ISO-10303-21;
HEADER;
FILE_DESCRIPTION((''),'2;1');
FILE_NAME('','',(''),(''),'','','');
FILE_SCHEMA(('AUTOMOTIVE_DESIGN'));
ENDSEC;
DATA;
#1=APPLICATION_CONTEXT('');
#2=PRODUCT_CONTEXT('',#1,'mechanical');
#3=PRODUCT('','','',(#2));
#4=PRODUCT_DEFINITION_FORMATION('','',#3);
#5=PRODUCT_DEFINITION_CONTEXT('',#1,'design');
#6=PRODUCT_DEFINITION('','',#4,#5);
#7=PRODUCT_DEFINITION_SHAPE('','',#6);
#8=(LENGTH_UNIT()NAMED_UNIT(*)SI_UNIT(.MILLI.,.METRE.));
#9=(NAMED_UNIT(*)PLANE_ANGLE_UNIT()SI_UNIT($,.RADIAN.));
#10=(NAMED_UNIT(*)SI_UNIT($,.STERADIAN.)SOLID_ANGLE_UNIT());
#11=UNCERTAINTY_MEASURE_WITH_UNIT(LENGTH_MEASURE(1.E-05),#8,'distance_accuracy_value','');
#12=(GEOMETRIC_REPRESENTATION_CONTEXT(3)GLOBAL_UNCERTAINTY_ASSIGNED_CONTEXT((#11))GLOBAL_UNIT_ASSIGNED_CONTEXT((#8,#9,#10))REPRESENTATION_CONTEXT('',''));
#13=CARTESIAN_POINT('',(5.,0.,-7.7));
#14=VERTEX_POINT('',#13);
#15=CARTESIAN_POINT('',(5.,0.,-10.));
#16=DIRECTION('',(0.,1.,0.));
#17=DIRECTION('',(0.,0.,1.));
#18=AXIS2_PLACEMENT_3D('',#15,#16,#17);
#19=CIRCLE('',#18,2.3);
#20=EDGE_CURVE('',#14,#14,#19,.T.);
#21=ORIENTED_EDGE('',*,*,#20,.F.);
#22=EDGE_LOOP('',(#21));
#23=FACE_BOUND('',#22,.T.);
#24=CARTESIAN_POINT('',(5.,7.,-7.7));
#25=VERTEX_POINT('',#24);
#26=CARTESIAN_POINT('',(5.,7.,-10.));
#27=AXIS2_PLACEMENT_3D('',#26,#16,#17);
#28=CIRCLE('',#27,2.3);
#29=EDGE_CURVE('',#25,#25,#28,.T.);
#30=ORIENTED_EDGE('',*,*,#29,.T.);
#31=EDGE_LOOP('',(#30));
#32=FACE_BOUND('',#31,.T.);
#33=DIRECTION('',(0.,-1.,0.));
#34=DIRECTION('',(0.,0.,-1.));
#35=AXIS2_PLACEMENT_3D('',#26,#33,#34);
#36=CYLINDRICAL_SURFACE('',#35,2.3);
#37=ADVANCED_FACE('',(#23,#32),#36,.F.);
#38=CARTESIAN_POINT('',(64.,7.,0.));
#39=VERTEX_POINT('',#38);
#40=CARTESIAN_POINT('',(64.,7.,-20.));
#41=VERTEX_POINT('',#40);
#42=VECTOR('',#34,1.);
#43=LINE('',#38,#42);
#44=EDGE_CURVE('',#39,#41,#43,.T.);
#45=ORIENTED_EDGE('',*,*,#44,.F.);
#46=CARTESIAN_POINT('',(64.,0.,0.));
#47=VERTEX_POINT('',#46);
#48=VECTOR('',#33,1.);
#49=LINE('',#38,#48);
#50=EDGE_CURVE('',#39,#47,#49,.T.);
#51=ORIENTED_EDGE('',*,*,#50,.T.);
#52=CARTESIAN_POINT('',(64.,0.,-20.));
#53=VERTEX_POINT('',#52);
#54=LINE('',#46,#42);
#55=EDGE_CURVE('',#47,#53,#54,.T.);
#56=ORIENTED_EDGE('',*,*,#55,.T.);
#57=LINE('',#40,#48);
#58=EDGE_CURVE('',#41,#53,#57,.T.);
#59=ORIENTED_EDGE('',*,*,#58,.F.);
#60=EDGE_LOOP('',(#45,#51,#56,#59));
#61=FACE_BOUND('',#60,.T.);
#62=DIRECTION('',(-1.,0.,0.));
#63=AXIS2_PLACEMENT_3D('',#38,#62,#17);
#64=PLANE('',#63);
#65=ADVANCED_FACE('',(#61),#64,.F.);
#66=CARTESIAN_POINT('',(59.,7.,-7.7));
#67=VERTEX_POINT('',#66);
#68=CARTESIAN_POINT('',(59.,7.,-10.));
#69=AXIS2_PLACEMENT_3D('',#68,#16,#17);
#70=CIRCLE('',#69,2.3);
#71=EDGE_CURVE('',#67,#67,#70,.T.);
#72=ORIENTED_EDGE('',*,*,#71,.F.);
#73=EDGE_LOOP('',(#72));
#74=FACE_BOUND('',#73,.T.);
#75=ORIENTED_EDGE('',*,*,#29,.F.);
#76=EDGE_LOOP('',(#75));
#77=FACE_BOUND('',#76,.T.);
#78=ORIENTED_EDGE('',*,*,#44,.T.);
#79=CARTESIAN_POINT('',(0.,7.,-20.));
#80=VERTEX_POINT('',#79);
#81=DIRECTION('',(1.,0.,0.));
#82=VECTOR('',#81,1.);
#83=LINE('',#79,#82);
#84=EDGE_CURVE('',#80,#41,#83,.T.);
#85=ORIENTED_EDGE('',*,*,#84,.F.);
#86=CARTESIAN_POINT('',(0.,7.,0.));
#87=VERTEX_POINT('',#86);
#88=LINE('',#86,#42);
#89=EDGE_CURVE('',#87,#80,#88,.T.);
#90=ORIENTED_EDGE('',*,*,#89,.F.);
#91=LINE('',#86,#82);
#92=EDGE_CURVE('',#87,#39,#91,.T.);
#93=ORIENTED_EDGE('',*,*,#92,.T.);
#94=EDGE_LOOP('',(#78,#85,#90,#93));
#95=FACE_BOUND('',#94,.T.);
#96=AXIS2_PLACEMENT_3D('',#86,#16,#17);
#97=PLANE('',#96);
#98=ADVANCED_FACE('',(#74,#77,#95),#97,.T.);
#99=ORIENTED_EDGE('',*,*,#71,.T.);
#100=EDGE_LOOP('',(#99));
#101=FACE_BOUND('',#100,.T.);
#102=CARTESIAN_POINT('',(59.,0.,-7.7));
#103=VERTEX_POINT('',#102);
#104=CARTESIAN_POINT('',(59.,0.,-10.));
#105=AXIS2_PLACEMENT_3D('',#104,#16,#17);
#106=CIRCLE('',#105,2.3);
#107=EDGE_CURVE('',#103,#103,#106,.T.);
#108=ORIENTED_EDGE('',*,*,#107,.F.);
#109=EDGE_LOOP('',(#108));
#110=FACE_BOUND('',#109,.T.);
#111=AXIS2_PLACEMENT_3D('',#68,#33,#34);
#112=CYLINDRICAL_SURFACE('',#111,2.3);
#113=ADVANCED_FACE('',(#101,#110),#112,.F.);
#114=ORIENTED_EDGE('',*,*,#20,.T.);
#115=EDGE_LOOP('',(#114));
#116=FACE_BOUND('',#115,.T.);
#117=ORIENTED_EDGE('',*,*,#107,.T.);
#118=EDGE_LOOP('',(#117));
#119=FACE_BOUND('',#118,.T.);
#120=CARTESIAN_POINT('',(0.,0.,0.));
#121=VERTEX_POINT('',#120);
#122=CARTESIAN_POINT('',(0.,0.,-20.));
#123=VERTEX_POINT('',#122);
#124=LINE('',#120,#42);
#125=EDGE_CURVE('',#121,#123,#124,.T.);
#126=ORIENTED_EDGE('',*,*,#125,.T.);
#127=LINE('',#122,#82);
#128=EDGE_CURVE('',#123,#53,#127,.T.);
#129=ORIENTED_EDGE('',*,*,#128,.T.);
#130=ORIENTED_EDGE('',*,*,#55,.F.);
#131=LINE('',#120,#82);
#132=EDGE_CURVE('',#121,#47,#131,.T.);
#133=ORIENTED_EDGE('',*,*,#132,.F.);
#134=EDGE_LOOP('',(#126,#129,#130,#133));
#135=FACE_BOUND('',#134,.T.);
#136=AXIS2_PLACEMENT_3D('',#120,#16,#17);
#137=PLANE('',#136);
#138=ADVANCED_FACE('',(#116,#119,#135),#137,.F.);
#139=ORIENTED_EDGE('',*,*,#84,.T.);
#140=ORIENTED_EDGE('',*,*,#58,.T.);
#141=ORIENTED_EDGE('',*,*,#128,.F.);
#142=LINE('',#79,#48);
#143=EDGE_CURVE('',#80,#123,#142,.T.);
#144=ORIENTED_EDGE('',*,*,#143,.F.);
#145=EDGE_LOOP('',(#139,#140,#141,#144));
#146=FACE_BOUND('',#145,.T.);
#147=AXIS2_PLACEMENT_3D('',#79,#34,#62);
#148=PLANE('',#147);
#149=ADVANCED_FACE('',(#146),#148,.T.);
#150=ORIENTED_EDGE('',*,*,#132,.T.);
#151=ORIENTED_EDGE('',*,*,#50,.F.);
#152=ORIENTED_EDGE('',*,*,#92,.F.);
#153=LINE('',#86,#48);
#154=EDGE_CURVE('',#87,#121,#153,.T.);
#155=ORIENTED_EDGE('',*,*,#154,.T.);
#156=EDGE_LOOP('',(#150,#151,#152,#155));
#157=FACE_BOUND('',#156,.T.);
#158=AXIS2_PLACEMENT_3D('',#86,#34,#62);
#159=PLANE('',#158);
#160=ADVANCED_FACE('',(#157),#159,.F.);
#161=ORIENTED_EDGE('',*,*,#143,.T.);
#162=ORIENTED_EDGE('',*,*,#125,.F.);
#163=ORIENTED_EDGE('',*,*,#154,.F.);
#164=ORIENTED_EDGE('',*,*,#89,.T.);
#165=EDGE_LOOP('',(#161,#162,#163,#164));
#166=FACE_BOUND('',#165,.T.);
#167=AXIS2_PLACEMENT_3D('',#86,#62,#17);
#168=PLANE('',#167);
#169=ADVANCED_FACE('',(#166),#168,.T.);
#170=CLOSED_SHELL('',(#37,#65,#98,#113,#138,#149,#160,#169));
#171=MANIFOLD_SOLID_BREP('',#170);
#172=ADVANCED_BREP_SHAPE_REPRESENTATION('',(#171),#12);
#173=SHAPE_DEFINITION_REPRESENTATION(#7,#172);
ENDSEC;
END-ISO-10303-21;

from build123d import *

# Parameters (mm, degrees)
SKETCH1_W           = 64
SKETCH1_H           = 20
SKETCH1_R           = 2.3
BOSS_EXTRUDE1_DEPTH = 7


with BuildPart() as part:
    # Sketch1 → Boss-Extrude1 (new body)
    with BuildSketch(Plane(origin=(0, 0, 0), x_dir=(1, 0, 0), z_dir=(0, 1, 0))):
        with Locations((32, 10)):
            Rectangle(SKETCH1_W, SKETCH1_H)
        with Locations((59, 10)):
            Circle(SKETCH1_R, mode=Mode.SUBTRACT)
        with Locations((5, 10)):
            Circle(SKETCH1_R, mode=Mode.SUBTRACT)
    extrude(amount=BOSS_EXTRUDE1_DEPTH)


solid = part.part
